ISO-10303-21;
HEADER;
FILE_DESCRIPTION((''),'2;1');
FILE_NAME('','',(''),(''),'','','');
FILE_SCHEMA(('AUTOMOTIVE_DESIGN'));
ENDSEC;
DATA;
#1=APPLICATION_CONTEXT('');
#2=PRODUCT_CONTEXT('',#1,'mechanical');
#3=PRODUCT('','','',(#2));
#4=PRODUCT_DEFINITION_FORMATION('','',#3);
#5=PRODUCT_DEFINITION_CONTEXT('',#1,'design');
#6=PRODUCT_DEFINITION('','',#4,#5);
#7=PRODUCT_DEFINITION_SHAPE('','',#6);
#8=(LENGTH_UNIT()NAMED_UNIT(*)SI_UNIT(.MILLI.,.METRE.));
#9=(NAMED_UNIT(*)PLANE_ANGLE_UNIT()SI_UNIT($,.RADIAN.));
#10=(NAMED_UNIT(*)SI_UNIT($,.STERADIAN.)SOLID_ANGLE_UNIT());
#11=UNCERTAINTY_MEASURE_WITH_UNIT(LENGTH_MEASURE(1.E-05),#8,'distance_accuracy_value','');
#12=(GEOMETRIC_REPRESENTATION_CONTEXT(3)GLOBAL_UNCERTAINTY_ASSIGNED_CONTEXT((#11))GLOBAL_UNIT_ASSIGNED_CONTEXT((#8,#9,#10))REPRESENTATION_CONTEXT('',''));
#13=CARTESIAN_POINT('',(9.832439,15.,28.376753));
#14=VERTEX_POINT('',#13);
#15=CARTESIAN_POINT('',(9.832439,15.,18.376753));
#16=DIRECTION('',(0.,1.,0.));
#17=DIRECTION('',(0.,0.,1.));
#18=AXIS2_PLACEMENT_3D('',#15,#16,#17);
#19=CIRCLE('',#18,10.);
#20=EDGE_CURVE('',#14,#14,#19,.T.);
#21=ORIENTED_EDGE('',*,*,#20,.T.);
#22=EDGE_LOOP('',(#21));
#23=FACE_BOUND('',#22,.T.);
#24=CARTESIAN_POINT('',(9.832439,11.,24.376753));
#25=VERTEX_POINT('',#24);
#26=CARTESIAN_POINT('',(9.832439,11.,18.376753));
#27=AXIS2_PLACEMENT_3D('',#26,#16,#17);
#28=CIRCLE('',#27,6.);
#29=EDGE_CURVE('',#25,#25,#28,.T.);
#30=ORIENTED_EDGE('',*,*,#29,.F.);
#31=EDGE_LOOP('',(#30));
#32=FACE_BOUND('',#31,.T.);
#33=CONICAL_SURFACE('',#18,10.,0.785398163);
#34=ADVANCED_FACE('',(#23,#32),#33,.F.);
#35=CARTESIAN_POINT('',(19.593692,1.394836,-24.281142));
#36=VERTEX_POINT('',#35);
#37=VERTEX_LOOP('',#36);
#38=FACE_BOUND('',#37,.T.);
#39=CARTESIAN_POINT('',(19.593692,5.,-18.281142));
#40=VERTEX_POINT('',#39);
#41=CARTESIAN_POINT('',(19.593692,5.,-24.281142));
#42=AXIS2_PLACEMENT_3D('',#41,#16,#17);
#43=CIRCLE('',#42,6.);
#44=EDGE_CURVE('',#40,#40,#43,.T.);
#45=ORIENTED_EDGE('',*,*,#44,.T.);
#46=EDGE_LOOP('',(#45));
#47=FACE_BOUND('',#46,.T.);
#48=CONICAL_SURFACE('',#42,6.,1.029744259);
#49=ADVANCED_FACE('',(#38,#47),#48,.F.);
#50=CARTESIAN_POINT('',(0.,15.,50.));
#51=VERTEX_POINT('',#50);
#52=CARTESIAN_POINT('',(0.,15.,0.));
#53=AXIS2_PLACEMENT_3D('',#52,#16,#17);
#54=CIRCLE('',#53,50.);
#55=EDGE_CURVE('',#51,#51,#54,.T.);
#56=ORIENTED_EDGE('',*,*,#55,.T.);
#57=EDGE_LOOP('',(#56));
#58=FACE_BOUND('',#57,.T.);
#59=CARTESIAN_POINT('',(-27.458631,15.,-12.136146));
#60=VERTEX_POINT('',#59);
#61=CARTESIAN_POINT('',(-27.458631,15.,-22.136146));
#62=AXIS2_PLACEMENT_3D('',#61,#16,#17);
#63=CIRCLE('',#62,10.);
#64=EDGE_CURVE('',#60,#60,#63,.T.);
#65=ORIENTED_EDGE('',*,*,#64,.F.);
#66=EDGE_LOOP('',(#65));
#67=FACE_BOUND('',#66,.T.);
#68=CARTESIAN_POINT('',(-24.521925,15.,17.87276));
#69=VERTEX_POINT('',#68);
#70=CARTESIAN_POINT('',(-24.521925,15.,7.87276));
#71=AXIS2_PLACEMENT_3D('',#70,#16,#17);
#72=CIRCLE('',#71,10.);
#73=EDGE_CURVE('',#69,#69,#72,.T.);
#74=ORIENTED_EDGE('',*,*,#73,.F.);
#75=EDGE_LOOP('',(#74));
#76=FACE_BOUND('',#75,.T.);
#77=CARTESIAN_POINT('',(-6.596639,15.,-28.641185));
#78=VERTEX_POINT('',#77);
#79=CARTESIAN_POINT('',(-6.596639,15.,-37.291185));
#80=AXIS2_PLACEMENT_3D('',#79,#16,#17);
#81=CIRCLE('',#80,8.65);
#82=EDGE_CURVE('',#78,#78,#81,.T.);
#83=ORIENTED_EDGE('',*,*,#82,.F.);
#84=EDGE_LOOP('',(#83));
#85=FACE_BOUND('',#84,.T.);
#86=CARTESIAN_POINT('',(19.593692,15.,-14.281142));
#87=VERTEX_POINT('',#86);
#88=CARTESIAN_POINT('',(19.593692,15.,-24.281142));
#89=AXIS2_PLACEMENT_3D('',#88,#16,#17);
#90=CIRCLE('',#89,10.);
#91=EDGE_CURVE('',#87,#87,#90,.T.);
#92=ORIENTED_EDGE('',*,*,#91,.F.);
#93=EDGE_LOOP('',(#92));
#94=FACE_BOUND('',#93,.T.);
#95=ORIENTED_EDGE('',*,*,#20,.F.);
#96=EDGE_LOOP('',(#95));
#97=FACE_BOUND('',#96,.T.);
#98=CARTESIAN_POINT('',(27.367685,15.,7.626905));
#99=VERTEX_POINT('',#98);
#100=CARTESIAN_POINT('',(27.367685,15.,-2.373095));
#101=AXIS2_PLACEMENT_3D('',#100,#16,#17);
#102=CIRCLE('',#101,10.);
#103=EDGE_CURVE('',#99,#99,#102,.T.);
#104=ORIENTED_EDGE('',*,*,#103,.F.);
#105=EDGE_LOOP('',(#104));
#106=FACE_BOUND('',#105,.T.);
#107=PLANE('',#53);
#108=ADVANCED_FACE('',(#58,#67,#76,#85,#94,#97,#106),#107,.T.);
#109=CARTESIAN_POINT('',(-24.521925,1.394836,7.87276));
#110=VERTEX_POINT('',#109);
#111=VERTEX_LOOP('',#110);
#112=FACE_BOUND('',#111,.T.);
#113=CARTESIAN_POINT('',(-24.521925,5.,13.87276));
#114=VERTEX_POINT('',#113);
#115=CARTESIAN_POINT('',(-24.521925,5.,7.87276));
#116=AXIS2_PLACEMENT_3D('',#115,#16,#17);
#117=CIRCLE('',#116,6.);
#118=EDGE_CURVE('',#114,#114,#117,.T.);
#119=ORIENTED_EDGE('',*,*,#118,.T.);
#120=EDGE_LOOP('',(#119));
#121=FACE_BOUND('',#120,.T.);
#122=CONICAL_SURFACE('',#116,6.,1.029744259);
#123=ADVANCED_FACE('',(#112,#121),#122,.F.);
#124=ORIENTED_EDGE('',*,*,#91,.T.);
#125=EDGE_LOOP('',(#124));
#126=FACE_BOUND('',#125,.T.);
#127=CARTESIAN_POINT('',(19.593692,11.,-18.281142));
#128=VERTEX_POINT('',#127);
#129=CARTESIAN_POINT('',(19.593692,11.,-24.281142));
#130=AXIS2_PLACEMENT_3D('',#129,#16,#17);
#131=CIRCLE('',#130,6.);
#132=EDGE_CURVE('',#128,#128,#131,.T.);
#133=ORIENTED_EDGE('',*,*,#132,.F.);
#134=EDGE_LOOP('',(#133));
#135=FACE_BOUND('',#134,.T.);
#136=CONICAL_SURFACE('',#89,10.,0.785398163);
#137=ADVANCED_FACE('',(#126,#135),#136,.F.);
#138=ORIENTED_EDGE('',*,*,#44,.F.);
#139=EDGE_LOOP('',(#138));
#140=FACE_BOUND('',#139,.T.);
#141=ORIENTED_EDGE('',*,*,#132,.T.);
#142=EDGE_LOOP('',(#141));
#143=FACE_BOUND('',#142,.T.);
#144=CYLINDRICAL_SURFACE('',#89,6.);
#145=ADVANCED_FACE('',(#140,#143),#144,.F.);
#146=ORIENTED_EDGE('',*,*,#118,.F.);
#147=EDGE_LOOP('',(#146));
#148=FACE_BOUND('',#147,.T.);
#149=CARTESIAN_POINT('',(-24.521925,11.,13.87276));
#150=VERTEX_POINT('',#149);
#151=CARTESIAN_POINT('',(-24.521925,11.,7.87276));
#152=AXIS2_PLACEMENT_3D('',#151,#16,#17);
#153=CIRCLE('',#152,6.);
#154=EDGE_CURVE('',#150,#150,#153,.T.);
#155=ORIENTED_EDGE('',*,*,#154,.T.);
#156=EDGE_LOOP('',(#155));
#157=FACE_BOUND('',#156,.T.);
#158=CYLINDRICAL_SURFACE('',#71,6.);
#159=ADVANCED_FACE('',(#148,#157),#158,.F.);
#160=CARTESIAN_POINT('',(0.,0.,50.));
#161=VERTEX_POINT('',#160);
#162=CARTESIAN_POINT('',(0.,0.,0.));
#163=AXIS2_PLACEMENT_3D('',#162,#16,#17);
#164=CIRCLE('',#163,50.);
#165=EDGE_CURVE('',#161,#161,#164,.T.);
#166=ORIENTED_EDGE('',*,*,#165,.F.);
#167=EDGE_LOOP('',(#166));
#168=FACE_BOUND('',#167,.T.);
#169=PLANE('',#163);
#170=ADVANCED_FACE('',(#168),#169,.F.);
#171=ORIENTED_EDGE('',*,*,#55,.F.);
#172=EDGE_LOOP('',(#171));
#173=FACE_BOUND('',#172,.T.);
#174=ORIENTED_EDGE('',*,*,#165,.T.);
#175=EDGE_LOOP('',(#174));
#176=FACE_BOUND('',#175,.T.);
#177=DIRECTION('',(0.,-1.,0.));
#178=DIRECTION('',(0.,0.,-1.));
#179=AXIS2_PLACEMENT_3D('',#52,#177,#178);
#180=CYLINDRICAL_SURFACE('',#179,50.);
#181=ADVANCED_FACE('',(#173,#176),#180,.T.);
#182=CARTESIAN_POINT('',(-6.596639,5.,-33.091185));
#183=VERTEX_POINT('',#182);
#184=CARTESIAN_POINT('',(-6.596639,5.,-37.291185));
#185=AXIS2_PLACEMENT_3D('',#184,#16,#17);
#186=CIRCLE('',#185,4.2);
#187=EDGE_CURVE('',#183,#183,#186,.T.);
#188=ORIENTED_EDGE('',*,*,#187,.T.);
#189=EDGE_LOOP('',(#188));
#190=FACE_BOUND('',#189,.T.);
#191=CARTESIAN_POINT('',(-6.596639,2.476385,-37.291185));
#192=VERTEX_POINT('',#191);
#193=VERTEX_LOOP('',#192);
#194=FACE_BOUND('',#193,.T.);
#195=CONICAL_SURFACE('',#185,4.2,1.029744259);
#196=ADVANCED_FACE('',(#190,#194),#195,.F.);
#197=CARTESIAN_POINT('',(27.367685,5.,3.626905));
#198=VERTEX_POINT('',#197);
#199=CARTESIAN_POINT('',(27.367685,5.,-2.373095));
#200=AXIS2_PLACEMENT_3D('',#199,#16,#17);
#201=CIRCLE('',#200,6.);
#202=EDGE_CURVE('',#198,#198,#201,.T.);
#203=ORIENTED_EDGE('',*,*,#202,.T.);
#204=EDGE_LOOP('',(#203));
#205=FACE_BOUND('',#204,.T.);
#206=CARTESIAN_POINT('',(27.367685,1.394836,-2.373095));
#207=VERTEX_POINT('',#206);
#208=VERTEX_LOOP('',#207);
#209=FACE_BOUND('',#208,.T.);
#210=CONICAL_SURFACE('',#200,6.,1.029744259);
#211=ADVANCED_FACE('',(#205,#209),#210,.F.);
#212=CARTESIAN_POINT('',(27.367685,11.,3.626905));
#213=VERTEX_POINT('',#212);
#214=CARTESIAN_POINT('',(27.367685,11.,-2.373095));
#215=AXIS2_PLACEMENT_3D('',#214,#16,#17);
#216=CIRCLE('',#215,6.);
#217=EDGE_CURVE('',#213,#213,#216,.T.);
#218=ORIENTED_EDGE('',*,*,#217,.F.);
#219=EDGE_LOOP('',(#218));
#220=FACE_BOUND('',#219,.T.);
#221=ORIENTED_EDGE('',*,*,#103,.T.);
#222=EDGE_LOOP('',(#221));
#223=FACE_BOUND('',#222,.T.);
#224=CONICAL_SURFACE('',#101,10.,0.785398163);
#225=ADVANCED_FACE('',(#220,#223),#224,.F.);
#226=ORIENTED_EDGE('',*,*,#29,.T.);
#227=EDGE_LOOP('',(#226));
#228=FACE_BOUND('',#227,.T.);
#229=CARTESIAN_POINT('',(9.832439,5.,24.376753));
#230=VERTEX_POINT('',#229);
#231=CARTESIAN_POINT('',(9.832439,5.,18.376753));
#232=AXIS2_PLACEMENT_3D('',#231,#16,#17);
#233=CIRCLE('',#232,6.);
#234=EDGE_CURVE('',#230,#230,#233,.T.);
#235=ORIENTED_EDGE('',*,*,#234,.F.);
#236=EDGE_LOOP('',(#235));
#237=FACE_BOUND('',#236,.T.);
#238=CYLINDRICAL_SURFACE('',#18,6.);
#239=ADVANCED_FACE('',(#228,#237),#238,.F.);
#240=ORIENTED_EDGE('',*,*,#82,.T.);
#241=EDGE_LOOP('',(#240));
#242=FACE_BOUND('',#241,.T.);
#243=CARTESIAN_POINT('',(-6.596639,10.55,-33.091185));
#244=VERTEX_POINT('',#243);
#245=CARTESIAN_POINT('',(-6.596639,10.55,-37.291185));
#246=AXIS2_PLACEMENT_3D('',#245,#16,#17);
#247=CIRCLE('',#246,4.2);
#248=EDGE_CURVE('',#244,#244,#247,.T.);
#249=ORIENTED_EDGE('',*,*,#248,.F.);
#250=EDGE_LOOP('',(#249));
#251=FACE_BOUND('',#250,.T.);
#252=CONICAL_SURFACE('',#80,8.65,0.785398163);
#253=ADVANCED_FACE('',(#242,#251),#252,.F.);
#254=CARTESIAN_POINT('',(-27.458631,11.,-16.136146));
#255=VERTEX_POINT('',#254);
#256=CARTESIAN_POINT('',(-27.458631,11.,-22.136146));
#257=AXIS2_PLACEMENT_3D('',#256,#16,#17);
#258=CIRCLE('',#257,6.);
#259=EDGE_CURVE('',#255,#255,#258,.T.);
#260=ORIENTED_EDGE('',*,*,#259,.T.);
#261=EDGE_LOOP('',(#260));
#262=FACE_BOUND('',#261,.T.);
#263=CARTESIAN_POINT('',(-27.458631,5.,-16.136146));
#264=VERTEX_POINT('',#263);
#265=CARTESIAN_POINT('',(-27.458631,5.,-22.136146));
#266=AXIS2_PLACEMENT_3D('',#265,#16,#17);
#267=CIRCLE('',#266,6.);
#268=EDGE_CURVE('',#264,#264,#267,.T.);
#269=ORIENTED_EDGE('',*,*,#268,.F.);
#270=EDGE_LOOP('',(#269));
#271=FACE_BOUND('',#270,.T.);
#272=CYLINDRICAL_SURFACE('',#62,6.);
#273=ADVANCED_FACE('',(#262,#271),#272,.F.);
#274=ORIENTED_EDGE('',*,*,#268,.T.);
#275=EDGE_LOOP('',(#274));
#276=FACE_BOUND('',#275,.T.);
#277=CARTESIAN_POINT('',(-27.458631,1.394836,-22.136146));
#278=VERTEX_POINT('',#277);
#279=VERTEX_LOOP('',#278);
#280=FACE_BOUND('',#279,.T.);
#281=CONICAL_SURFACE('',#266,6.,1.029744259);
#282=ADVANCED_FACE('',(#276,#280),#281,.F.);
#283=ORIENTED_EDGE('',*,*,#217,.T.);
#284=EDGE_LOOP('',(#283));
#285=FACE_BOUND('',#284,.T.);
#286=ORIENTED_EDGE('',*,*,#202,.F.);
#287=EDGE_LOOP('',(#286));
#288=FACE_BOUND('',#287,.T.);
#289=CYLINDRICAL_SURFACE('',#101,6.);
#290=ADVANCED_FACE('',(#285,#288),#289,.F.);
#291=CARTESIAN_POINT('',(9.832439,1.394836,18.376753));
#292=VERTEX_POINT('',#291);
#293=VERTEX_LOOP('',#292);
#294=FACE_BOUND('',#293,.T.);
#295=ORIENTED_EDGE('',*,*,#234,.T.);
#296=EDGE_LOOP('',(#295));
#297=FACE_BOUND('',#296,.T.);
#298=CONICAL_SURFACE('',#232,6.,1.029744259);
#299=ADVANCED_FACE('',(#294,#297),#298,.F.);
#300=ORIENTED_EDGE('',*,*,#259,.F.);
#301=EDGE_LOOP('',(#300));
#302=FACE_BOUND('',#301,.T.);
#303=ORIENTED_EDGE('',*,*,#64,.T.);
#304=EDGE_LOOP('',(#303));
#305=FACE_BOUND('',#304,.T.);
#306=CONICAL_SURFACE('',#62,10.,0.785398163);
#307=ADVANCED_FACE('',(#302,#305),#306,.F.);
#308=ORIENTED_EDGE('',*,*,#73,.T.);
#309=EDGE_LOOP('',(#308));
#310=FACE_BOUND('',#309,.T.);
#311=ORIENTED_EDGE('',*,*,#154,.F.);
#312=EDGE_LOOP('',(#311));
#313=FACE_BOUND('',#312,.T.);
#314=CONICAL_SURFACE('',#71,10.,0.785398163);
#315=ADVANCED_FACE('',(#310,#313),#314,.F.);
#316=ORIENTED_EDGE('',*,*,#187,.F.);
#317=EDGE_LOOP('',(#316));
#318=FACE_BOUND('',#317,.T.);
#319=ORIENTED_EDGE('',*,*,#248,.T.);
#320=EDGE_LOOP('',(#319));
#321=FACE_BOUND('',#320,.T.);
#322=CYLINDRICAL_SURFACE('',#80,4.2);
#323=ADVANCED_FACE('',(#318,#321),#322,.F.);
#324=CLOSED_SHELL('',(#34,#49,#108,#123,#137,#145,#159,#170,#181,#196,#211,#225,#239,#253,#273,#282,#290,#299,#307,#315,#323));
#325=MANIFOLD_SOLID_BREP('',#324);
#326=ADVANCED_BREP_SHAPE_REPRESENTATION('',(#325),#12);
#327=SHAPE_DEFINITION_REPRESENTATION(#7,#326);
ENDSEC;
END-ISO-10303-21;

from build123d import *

# Parameters (mm, degrees)
SKETCH1_R                                            = 50
BOSS_EXTRUDE1_DEPTH                                  = 15
CSK_FOR_M10_COUNTERSUNK_FLAT_HEAD_SCREW2_D           = 12
CSK_FOR_M10_COUNTERSUNK_FLAT_HEAD_SCREW2_DEPTH       = 10
CSK_FOR_M10_COUNTERSUNK_FLAT_HEAD_SCREW2_CSINK_D     = 20
CSK_FOR_M10_COUNTERSUNK_FLAT_HEAD_SCREW2_CSINK_ANGLE = 90
CSK_FOR_M10_COUNTERSUNK_FLAT_HEAD_SCREW2_TIP         = 3.605163714
CSK_FOR_M8_COUNTERSUNK_FLAT_HEAD_SCREW1_D            = 8.4
CSK_FOR_M8_COUNTERSUNK_FLAT_HEAD_SCREW1_DEPTH        = 10
CSK_FOR_M8_COUNTERSUNK_FLAT_HEAD_SCREW1_CSINK_D      = 17.3
CSK_FOR_M8_COUNTERSUNK_FLAT_HEAD_SCREW1_CSINK_ANGLE  = 90
CSK_FOR_M8_COUNTERSUNK_FLAT_HEAD_SCREW1_TIP          = 2.5236146


with BuildPart() as part:
    # Sketch1 → Boss-Extrude1 (new body)
    with BuildSketch(Plane(origin=(0, 0, 0), x_dir=(1, 0, 0), z_dir=(0, 1, 0))):
        with Locations(Location((0, 0, 0), (0, 0, 270))):
            Circle(SKETCH1_R)
    extrude(amount=BOSS_EXTRUDE1_DEPTH)

    # CSK for M10 Countersunk Flat Head Screw2
    with Locations(Plane(origin=(0, 15, 0), x_dir=(1, 0, 0), z_dir=(0, 1, 0))):
        with Locations((-27.458630514, 22.136146371), (19.59369175, 24.281141581), (-24.521924649, -7.872760418), (9.832439438, -18.376753366), (27.367685205, 2.373094983)):
            CounterSinkHole(CSK_FOR_M10_COUNTERSUNK_FLAT_HEAD_SCREW2_D / 2, CSK_FOR_M10_COUNTERSUNK_FLAT_HEAD_SCREW2_CSINK_D / 2, depth=CSK_FOR_M10_COUNTERSUNK_FLAT_HEAD_SCREW2_DEPTH, counter_sink_angle=CSK_FOR_M10_COUNTERSUNK_FLAT_HEAD_SCREW2_CSINK_ANGLE)
            with Locations((0, 0, -(CSK_FOR_M10_COUNTERSUNK_FLAT_HEAD_SCREW2_DEPTH + CSK_FOR_M10_COUNTERSUNK_FLAT_HEAD_SCREW2_TIP / 2))):  # 118° drill point
                Cone(0, CSK_FOR_M10_COUNTERSUNK_FLAT_HEAD_SCREW2_D / 2, CSK_FOR_M10_COUNTERSUNK_FLAT_HEAD_SCREW2_TIP, mode=Mode.SUBTRACT)

    # CSK for M8 Countersunk Flat Head Screw1
    with Locations(Plane(origin=(0, 15, 0), x_dir=(1, 0, 0), z_dir=(0, 1, 0))):
        with Locations((-6.596639158, 37.29118486)):
            CounterSinkHole(CSK_FOR_M8_COUNTERSUNK_FLAT_HEAD_SCREW1_D / 2, CSK_FOR_M8_COUNTERSUNK_FLAT_HEAD_SCREW1_CSINK_D / 2, depth=CSK_FOR_M8_COUNTERSUNK_FLAT_HEAD_SCREW1_DEPTH, counter_sink_angle=CSK_FOR_M8_COUNTERSUNK_FLAT_HEAD_SCREW1_CSINK_ANGLE)
            with Locations((0, 0, -(CSK_FOR_M8_COUNTERSUNK_FLAT_HEAD_SCREW1_DEPTH + CSK_FOR_M8_COUNTERSUNK_FLAT_HEAD_SCREW1_TIP / 2))):  # 118° drill point
                Cone(0, CSK_FOR_M8_COUNTERSUNK_FLAT_HEAD_SCREW1_D / 2, CSK_FOR_M8_COUNTERSUNK_FLAT_HEAD_SCREW1_TIP, mode=Mode.SUBTRACT)


solid = part.part
